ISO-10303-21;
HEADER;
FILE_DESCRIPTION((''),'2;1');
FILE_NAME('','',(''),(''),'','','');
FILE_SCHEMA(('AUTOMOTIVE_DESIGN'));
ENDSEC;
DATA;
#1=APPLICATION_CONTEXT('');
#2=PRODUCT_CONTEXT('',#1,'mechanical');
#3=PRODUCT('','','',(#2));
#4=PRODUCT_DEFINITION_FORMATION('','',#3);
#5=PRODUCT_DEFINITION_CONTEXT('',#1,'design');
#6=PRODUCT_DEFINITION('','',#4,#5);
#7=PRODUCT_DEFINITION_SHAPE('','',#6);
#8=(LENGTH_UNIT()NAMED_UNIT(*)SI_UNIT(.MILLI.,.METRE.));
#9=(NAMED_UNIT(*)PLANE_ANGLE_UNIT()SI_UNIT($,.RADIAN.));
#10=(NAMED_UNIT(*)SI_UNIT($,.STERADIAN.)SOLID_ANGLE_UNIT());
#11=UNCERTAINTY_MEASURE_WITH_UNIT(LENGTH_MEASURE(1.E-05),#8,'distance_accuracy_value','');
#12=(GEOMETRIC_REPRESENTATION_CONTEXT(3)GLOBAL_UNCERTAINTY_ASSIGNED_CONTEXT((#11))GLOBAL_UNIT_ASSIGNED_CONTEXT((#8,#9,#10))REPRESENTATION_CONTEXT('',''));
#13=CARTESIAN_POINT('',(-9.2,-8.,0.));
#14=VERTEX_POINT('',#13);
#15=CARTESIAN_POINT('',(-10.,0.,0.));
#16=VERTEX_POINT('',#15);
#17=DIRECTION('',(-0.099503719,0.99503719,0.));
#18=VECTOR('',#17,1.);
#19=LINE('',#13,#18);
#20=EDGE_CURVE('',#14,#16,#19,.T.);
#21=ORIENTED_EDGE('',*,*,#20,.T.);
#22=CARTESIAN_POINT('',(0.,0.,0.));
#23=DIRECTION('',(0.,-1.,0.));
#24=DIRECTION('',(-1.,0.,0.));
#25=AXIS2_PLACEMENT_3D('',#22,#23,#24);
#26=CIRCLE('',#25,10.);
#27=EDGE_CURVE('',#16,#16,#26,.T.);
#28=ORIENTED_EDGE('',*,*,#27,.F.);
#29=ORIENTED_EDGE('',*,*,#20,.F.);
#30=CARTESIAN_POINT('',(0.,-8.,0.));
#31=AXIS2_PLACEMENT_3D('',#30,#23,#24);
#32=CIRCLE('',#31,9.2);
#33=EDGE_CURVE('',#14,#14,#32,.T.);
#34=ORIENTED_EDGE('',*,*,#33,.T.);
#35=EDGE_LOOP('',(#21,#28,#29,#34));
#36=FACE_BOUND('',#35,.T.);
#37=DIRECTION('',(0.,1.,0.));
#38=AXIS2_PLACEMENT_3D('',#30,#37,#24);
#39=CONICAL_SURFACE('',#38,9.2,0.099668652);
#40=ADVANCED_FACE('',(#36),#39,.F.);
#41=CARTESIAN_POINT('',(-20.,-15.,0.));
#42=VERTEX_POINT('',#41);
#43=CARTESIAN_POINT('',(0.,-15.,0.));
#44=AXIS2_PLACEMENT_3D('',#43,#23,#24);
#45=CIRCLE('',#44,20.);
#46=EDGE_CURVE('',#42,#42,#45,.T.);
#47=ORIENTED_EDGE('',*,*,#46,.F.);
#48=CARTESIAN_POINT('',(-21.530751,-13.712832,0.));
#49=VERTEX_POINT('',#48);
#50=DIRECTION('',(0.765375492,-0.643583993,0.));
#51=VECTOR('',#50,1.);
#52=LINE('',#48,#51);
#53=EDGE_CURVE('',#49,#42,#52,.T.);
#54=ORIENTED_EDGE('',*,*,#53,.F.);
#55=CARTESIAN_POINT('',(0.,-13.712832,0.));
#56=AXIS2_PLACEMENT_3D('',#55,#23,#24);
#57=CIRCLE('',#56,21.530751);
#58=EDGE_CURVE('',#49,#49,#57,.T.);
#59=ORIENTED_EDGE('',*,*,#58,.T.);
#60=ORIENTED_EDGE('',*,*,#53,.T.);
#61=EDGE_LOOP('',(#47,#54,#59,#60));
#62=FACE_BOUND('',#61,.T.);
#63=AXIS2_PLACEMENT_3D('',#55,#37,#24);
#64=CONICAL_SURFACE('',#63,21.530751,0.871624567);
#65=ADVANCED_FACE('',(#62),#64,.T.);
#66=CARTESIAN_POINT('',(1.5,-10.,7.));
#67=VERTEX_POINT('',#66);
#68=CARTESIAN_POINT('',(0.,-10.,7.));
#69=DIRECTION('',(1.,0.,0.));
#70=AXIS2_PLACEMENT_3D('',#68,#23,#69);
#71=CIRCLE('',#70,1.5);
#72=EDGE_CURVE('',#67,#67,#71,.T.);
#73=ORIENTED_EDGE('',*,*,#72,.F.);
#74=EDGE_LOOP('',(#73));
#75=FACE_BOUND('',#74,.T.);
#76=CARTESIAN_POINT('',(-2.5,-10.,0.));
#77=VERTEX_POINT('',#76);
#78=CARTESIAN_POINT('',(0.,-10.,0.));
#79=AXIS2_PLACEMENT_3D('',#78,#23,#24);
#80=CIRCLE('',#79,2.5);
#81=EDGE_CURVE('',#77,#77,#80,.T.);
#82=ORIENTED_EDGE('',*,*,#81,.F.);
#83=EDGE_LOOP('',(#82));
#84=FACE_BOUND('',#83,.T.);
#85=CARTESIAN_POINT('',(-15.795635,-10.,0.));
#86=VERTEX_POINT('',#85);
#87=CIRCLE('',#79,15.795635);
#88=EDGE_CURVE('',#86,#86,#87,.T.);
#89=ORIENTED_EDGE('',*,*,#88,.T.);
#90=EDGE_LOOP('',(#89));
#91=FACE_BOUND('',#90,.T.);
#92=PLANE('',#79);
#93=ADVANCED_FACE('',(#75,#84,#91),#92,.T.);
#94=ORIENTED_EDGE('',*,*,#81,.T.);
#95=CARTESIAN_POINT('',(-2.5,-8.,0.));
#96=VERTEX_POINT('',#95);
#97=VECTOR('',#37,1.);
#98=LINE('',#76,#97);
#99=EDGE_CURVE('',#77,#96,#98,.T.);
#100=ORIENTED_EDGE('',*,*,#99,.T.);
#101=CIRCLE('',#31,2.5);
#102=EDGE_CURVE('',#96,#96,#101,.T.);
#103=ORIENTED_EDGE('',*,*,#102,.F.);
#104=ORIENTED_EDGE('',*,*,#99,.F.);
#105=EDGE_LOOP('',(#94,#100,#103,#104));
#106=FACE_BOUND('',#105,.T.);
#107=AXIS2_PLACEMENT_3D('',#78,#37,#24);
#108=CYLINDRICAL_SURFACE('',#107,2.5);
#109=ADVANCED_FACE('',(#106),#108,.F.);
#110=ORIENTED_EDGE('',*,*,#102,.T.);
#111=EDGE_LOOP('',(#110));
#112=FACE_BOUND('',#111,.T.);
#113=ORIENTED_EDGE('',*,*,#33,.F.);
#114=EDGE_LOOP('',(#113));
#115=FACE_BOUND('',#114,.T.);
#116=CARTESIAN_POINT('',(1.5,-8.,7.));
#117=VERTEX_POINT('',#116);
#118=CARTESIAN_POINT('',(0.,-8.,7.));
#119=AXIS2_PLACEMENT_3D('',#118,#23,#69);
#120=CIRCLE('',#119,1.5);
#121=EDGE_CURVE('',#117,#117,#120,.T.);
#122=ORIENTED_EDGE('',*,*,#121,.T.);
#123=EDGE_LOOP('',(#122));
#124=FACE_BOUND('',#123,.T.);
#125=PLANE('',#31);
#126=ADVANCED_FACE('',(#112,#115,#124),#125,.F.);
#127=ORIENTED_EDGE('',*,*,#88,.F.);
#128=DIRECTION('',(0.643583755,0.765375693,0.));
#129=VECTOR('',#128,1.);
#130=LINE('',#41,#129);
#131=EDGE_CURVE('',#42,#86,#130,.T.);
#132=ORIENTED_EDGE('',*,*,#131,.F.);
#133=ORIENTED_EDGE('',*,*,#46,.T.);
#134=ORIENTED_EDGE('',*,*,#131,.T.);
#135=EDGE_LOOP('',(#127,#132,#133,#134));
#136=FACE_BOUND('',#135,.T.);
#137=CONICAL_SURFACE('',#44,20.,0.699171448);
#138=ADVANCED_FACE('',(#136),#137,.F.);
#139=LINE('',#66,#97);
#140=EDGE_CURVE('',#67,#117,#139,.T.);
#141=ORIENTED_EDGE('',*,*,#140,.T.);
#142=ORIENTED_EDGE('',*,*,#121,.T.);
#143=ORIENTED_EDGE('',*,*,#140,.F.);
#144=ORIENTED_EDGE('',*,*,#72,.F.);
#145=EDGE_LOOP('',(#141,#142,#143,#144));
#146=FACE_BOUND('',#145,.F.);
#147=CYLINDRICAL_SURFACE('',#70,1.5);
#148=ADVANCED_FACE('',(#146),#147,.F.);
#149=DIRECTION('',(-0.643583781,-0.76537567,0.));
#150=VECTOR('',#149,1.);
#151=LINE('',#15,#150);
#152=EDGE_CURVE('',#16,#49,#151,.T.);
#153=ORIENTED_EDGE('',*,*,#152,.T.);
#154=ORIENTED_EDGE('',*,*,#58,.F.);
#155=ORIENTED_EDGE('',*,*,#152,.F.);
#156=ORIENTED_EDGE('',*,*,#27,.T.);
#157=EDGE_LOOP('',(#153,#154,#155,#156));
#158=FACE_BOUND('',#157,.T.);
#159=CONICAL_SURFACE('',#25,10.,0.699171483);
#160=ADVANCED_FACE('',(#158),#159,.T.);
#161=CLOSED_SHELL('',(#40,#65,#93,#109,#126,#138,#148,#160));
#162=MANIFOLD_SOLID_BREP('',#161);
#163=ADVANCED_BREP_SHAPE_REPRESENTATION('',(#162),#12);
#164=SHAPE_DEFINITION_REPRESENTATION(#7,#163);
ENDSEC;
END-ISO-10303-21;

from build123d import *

# Parameters (mm, degrees)
F2_R     = 1.5
F3_DEPTH = 10.001


with BuildPart() as f1:
    # F0 (on Top) → F1 (revolve)
    with BuildSketch(Plane.XY):
        Polygon((-9.2, -8), (-10, 0), (-21.530751, -13.712832), (-20, -15), (-15.795635, -10), (-9, -10), (-2.5, -10), (-2.5, -8), align=None)
    revolve(axis=Axis((0, -0.656405, 0), (0, -1, 0)))

    # F2 (on face) → F3 (cut, through all)
    with BuildSketch(Plane.XZ.offset(10)):
        with Locations((0, 7)):
            Circle(F2_R)
    extrude(amount=-F3_DEPTH, mode=Mode.SUBTRACT)


solid = f1.part
